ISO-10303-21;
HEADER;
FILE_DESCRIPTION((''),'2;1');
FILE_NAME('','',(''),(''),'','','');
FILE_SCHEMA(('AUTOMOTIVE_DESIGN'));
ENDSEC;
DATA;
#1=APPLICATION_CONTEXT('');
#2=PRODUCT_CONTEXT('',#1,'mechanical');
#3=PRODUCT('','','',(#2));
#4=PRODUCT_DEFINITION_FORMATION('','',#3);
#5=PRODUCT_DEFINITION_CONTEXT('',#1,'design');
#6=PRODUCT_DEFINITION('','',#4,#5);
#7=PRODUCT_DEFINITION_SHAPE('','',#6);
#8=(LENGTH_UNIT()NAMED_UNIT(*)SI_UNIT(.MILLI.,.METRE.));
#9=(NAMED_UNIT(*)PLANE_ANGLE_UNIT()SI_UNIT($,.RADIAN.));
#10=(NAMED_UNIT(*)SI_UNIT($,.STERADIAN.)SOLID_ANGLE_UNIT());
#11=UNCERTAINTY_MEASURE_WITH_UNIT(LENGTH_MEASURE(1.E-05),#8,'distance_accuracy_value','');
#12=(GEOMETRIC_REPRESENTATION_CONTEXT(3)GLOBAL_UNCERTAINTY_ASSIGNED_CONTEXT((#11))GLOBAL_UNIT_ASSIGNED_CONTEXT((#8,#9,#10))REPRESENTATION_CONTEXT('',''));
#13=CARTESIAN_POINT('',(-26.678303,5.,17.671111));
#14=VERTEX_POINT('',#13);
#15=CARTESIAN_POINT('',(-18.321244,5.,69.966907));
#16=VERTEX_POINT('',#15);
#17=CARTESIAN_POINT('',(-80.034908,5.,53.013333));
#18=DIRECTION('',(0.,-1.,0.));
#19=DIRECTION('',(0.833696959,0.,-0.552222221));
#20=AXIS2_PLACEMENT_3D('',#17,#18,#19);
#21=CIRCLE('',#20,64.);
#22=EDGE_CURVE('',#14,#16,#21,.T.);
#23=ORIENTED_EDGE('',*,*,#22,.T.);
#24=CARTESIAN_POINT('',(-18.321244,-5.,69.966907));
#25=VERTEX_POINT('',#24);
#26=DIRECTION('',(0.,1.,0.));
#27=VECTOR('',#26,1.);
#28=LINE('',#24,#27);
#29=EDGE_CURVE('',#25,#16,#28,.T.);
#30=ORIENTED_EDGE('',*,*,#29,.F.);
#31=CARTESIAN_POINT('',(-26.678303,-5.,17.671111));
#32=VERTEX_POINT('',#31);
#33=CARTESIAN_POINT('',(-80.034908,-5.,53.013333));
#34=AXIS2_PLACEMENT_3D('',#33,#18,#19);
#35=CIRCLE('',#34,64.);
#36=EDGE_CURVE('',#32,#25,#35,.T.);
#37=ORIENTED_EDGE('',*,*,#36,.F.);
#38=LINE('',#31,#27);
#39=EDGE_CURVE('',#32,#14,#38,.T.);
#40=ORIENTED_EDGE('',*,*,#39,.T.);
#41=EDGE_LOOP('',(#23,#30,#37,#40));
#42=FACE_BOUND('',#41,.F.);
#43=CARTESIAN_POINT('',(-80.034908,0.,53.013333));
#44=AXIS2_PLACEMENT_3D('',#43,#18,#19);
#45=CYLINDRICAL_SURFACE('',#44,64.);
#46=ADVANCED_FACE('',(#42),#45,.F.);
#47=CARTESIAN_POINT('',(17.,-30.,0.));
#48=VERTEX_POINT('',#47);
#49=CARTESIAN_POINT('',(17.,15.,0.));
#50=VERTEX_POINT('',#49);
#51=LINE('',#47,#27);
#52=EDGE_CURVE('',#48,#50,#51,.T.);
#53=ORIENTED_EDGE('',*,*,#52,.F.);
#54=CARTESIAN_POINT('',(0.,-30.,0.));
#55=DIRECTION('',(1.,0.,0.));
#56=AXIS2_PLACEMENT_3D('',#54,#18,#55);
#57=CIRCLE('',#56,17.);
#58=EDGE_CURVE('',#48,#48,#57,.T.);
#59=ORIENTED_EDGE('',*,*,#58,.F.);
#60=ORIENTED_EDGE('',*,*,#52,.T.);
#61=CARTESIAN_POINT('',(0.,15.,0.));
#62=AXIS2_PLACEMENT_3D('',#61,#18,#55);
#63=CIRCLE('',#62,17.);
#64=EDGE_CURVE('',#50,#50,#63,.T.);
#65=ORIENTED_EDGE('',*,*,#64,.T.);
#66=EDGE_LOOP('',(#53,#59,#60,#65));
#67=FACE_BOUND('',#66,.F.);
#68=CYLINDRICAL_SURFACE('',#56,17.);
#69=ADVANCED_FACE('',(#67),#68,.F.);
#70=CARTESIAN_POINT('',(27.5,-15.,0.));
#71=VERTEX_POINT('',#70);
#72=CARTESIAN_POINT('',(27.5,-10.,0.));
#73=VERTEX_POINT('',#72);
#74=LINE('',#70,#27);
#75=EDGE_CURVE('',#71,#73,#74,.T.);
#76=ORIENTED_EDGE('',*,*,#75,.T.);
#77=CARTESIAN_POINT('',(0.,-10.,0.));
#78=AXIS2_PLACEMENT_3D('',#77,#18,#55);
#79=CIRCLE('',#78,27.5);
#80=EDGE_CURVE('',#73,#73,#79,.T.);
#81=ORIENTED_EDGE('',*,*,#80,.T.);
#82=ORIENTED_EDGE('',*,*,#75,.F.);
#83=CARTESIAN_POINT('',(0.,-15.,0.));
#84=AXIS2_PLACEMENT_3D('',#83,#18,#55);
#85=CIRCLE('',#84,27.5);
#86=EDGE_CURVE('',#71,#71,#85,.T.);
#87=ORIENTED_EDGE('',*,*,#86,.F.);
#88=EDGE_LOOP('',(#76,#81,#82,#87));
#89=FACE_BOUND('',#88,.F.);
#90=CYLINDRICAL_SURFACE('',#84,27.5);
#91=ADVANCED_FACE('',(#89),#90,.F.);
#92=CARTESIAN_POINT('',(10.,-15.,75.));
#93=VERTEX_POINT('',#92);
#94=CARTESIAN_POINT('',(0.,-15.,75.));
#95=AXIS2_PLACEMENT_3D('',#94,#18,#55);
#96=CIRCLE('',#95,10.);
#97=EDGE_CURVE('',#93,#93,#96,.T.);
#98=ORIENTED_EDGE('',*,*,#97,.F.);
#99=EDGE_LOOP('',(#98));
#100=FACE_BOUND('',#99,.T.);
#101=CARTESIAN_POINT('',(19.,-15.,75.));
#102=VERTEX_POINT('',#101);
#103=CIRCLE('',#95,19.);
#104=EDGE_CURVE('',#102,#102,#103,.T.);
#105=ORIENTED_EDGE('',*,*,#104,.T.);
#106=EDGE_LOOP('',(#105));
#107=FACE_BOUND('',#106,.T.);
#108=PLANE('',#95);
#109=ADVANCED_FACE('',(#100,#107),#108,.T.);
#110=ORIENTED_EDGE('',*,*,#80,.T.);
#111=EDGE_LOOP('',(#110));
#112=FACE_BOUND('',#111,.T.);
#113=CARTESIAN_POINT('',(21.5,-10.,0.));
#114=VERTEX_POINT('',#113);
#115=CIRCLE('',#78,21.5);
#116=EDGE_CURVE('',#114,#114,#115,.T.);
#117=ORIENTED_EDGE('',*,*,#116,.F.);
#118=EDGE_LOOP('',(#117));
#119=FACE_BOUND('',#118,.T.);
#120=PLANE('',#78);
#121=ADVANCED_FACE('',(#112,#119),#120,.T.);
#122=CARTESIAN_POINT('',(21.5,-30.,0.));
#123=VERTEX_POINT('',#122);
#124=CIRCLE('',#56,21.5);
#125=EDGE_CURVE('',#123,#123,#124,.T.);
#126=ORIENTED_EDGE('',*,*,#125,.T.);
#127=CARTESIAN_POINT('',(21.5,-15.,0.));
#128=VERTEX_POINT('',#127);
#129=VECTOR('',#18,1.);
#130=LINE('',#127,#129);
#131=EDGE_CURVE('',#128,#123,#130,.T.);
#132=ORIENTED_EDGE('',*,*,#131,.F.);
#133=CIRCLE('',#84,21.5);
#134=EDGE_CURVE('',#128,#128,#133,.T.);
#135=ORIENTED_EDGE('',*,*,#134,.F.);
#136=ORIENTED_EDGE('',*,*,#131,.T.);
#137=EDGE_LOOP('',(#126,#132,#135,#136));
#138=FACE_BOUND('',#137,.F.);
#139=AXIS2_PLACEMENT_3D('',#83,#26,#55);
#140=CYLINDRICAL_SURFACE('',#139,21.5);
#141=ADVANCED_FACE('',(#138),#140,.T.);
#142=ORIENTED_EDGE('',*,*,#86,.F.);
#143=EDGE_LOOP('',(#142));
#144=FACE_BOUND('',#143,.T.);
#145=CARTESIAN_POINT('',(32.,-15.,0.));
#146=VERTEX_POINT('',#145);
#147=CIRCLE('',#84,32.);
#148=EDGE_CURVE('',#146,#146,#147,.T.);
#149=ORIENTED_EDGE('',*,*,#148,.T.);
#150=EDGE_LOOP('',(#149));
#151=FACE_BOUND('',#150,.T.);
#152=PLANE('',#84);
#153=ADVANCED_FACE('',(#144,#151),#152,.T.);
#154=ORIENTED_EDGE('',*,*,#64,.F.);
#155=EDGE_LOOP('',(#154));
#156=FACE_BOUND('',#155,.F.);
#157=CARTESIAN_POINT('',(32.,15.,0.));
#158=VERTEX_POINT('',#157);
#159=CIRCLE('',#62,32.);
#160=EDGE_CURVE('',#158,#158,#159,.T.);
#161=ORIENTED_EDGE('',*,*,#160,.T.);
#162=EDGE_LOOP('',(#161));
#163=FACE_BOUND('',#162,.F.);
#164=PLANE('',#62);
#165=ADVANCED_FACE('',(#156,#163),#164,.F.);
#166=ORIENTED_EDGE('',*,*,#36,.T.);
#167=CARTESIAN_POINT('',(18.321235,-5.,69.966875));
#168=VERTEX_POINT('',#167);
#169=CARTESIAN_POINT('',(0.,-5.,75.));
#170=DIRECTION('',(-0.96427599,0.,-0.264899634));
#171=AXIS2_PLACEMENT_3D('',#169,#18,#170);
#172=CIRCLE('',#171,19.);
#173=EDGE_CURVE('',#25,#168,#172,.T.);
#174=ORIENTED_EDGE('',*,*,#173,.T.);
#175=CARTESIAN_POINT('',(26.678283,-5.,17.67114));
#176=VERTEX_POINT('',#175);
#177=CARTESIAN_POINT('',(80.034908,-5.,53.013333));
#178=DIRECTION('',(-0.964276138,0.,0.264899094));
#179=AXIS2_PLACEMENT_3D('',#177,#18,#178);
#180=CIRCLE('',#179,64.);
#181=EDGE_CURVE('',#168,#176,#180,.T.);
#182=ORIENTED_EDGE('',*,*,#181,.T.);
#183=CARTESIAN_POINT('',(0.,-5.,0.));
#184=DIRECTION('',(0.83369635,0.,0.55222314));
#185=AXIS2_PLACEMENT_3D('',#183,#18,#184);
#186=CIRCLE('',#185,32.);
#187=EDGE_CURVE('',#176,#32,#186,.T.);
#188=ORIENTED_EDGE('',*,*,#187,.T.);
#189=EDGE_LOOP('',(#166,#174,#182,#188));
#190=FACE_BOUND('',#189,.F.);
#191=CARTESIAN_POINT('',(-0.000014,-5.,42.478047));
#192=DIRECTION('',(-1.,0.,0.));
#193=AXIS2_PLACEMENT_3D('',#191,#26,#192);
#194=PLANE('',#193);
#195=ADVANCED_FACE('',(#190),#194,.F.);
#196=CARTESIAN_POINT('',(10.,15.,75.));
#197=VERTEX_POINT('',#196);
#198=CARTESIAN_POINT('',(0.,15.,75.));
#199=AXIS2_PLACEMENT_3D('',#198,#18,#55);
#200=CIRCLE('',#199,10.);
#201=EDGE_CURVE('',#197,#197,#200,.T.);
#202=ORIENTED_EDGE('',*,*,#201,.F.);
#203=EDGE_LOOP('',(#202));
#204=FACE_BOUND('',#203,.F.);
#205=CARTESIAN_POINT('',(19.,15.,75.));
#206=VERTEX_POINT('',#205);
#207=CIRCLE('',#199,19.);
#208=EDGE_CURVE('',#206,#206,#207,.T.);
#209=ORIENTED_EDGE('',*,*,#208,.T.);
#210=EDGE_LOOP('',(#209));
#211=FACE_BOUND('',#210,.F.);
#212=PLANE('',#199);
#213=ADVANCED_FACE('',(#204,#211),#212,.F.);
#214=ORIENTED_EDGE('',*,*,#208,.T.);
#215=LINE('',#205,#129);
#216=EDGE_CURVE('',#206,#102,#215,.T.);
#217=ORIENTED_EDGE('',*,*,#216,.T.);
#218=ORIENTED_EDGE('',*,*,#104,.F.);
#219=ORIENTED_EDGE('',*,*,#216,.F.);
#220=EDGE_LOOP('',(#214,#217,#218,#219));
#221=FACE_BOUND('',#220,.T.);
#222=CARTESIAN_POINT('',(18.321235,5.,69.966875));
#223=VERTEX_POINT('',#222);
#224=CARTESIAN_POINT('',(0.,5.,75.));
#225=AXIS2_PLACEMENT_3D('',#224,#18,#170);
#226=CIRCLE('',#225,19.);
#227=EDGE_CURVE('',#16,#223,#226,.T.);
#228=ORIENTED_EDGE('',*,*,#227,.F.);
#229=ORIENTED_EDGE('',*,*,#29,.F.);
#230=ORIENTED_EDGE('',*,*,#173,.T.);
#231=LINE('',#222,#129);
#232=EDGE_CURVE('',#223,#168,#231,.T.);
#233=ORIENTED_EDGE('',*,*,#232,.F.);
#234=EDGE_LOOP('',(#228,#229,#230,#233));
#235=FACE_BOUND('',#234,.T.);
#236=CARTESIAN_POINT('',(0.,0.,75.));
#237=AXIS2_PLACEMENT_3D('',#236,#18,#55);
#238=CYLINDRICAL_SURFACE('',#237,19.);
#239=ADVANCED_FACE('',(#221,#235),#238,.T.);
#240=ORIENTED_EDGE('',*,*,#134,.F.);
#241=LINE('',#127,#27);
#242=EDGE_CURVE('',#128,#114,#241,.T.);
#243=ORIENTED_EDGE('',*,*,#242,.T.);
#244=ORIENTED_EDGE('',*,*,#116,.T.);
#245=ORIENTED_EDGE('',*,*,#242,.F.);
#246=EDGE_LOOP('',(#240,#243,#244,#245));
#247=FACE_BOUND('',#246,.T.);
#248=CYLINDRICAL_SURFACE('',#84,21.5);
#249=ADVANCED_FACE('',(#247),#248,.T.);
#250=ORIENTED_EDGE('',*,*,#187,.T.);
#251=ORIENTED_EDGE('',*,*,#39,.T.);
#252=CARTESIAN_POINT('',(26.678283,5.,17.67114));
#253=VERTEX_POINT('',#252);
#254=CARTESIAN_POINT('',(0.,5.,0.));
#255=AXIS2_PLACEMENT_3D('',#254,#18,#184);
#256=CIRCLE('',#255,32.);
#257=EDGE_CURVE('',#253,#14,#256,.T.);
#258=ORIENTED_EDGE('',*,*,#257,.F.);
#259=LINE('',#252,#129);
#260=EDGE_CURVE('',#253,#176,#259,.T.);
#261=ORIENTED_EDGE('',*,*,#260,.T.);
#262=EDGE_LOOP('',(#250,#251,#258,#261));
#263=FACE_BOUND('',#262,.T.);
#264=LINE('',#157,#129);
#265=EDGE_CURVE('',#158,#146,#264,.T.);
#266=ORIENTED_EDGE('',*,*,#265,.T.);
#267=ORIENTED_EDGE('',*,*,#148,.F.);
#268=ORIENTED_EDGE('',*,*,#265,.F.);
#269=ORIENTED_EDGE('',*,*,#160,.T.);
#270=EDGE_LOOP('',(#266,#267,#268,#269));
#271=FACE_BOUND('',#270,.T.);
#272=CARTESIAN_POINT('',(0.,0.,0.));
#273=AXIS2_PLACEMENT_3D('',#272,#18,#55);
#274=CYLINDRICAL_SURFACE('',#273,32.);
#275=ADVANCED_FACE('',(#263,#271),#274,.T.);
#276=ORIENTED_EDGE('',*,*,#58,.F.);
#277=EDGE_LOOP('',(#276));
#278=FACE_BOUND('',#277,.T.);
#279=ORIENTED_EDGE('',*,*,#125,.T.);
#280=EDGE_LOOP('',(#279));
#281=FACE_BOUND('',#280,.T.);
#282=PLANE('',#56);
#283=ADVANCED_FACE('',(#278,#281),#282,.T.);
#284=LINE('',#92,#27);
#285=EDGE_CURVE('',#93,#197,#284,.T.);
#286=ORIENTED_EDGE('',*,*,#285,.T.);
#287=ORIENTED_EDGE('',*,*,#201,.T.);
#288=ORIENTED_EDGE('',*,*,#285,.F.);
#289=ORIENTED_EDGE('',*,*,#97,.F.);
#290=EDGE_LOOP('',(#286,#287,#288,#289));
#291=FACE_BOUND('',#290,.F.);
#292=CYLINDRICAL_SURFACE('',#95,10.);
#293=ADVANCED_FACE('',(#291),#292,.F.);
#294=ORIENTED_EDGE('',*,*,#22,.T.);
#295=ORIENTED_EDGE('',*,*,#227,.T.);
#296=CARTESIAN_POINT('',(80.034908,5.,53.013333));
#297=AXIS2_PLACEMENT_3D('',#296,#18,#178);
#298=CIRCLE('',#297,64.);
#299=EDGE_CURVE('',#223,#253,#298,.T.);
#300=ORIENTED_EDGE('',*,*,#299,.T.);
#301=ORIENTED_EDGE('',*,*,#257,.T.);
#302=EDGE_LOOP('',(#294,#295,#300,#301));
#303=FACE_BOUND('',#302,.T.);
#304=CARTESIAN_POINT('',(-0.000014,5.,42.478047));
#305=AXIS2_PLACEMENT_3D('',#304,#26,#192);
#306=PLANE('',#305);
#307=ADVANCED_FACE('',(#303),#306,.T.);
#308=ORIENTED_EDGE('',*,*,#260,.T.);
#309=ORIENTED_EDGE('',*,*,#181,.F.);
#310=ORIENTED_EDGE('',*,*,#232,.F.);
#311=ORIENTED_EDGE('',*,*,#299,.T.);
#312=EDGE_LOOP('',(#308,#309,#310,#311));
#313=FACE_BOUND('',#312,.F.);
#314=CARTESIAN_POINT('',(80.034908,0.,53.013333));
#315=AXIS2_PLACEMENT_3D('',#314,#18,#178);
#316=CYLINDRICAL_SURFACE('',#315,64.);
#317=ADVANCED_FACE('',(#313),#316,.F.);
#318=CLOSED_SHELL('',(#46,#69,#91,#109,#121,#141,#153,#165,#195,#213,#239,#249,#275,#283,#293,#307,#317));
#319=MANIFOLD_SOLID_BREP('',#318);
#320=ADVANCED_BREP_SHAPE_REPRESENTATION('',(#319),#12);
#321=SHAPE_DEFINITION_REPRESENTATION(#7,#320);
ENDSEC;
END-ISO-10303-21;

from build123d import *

# Parameters (mm, degrees)
SKETCH_R        = 32
PAD_DEPTH       = 15
PAD001_DEPTH    = 5
SKETCH002_R     = 19
PAD002_DEPTH    = 15
SKETCH003_R     = 27.5
SKETCH003_R_2   = 21.5
POCKET_DEPTH    = 5
SKETCH004_R     = 21.5
PAD003_DEPTH    = 15
SKETCH005_R     = 17
POCKET001_DEPTH = 45.001
SKETCH006_R     = 10
POCKET002_DEPTH = 30.001


with BuildPart() as part:
    # Sketch → Pad (new body, symmetric)
    with BuildSketch(Plane.XZ):
        Circle(SKETCH_R)
    extrude(amount=PAD_DEPTH, both=True)

    # Sketch001 → Pad001 (join, symmetric)
    with BuildSketch(Plane.XZ):
        with BuildLine():
            ThreePointArc((26.6782831974, 17.6711404736), (-1.75595e-05, 32), (-26.678302591, 17.671111195))
            ThreePointArc((-26.678302591, 17.671111195), (-16.8367727335, 42.9140409584), (-18.3212438006, 69.9669069549))
            ThreePointArc((-18.3212438006, 69.9669069549), (-1.6382e-05, 56), (18.3212351214, 69.9668753614))
            ThreePointArc((18.3212351214, 69.9668753614), (16.8367725476, 42.9140421212), (26.6782831975, 17.6711404736))
        make_face()
    extrude(amount=PAD001_DEPTH, both=True)

    # Sketch002 → Pad002 (join, symmetric)
    with BuildSketch(Plane.XZ):
        with Locations((0, 75)):
            Circle(SKETCH002_R)
    extrude(amount=PAD002_DEPTH, both=True)

    # Sketch003 (on Face10 of Pad002) → Pocket (cut)
    with BuildSketch(Plane.XZ.offset(15)):
        Circle(SKETCH003_R)
        Circle(SKETCH003_R_2, mode=Mode.SUBTRACT)
    extrude(amount=-POCKET_DEPTH, mode=Mode.SUBTRACT)

    # Sketch004 (on Face14 of Pocket) → Pad003 (join)
    with BuildSketch(Plane.XZ.offset(15)):
        Circle(SKETCH004_R)
    extrude(amount=PAD003_DEPTH)

    # Sketch005 (on Face15 of Pad003) → Pocket001 (cut, through all)
    with BuildSketch(Plane.XZ.offset(30)):
        Circle(SKETCH005_R)
    extrude(amount=-POCKET001_DEPTH, mode=Mode.SUBTRACT)

    # Sketch006 (on Face3 of Pocket001) → Pocket002 (cut, through all)
    with BuildSketch(Plane.XZ.offset(15)):
        with Locations((0, 75)):
            Circle(SKETCH006_R)
    extrude(amount=-POCKET002_DEPTH, mode=Mode.SUBTRACT)


solid = part.part
